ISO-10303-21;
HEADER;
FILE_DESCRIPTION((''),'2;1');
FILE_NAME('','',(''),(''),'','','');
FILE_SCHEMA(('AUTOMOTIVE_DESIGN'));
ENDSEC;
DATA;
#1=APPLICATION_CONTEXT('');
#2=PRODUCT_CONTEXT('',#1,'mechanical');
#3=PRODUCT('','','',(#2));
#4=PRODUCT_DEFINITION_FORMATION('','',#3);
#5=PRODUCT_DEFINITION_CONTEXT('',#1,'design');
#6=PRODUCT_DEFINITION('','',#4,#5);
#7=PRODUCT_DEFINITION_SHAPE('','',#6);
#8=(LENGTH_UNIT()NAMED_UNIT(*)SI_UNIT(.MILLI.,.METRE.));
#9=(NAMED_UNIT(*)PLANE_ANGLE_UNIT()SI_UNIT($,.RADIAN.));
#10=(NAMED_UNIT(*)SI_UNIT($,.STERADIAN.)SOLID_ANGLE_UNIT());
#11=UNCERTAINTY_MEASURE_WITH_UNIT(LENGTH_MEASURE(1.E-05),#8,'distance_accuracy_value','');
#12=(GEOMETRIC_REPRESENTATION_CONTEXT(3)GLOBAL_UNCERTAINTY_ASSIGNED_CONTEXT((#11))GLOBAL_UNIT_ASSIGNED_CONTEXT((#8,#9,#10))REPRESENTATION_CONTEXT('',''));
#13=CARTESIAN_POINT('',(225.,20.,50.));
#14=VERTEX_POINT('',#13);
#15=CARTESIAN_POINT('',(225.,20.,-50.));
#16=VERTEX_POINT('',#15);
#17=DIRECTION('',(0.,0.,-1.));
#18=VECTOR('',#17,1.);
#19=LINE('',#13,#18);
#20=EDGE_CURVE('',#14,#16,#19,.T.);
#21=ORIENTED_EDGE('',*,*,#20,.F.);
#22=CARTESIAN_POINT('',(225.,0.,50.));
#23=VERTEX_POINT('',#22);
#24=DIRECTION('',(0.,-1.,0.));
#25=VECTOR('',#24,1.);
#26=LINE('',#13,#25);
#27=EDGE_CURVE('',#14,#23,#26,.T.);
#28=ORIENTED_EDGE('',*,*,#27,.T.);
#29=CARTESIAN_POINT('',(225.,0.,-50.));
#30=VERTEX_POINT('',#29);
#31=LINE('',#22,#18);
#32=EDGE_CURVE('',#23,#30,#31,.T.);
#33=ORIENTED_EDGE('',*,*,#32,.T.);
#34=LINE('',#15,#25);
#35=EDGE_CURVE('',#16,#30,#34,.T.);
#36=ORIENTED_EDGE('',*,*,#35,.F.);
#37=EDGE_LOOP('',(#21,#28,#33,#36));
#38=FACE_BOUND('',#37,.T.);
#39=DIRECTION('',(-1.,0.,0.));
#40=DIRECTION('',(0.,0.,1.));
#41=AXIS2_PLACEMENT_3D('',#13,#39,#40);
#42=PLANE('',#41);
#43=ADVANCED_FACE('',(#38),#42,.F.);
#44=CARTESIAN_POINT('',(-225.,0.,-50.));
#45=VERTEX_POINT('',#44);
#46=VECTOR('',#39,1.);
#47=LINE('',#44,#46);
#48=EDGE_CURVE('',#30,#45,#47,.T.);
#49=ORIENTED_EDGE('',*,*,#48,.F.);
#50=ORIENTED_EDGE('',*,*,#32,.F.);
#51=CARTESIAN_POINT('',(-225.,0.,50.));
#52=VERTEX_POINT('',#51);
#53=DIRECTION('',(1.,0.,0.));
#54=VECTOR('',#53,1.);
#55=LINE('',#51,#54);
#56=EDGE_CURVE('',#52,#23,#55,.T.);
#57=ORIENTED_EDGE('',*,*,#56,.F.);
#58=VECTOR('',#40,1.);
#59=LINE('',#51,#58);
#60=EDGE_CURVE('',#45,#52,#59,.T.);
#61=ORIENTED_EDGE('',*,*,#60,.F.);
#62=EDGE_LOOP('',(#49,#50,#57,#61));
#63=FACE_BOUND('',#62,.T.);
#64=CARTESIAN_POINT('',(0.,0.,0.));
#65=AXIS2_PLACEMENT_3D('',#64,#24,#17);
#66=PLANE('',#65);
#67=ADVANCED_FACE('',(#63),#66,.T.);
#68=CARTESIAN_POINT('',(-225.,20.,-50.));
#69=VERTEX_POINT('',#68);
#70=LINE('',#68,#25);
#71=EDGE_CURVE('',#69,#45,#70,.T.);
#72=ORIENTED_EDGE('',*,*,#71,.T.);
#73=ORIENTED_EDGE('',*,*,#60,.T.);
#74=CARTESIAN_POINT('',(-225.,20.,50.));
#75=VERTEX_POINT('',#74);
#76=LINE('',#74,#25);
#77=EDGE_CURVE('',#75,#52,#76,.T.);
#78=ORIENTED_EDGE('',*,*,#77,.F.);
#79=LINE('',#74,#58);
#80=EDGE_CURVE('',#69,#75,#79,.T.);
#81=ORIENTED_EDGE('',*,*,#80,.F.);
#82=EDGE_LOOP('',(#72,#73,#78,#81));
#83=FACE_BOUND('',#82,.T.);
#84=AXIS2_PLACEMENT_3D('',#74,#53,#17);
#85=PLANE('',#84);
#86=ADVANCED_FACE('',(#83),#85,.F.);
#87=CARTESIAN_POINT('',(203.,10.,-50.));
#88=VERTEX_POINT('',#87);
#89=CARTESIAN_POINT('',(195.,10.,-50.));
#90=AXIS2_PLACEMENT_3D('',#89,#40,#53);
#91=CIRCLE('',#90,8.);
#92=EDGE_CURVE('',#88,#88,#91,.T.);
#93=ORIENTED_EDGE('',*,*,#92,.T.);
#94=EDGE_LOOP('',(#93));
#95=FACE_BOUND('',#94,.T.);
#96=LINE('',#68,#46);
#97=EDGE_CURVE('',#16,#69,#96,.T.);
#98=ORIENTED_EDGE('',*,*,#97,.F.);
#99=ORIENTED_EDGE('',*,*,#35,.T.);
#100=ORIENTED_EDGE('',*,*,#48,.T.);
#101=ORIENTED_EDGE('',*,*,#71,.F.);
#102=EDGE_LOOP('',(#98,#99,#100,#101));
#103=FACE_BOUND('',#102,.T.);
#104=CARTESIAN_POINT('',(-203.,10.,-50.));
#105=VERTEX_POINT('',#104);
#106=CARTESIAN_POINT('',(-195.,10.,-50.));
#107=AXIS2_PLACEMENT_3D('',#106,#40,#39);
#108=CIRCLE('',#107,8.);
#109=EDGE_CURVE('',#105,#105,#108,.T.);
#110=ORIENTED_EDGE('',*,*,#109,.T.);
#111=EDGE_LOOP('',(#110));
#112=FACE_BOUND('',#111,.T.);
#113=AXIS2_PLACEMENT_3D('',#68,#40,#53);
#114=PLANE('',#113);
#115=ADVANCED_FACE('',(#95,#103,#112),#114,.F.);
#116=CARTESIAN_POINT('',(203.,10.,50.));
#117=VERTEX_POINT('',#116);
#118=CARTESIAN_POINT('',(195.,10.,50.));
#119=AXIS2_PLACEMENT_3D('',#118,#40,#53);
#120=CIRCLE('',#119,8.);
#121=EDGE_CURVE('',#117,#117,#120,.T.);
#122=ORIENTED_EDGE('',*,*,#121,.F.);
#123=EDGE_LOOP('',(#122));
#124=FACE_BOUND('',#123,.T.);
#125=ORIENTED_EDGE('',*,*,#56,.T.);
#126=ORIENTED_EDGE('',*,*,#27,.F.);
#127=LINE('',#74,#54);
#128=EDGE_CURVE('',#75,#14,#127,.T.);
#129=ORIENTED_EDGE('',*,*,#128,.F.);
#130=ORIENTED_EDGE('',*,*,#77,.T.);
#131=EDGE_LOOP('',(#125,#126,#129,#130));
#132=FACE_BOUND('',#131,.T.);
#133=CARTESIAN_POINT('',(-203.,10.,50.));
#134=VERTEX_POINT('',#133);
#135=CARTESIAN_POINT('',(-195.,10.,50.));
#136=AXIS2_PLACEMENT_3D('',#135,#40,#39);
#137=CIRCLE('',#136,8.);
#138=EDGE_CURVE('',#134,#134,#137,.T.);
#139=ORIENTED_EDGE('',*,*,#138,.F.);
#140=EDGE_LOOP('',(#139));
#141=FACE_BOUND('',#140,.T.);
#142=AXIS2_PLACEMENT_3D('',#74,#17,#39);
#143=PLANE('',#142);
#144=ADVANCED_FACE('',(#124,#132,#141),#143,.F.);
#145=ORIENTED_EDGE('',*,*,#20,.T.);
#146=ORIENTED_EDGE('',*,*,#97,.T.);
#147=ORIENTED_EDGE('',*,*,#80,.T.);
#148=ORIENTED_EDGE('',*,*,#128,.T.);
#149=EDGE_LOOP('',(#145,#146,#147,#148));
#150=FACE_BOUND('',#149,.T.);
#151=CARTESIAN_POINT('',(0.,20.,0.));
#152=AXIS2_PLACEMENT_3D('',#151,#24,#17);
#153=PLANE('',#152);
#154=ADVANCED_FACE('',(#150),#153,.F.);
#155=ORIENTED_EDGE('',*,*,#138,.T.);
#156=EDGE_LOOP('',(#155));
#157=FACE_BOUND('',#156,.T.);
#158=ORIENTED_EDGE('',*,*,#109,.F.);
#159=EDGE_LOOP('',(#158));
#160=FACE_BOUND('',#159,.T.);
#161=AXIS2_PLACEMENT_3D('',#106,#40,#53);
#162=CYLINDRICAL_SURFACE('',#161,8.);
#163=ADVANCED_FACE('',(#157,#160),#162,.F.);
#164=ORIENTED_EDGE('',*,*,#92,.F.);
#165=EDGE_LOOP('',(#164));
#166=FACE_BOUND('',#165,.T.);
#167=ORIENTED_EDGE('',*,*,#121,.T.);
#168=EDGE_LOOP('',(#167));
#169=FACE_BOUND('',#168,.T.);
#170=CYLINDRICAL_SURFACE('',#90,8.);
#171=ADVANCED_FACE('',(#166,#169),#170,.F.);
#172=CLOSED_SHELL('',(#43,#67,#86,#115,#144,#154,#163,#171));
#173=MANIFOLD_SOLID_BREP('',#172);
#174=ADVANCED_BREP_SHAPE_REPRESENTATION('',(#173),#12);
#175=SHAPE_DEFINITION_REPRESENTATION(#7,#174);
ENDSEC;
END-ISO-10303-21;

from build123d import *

# Parameters (mm, degrees)
SKETCH1_W           = 450
SKETCH1_H           = 100
BOSS_EXTRUDE1_DEPTH = 20
SKETCH2_R           = 8
CUT_EXTRUDE1_DEPTH  = 101


with BuildPart() as part:
    # Sketch1 → Boss-Extrude1 (new body)
    with BuildSketch(Plane(origin=(0, 0, 0), x_dir=(1, 0, 0), z_dir=(0, 1, 0))):
        Rectangle(SKETCH1_W, SKETCH1_H)
    extrude(amount=BOSS_EXTRUDE1_DEPTH)

    # Sketch2 → Cut-Extrude1 (cut, through all)
    with BuildSketch(Plane.XY.offset(50)):
        with Locations((195, 10)):
            Circle(SKETCH2_R)
        with Locations((-195, 10)):
            Circle(SKETCH2_R)
    extrude(amount=-CUT_EXTRUDE1_DEPTH, mode=Mode.SUBTRACT)


solid = part.part
